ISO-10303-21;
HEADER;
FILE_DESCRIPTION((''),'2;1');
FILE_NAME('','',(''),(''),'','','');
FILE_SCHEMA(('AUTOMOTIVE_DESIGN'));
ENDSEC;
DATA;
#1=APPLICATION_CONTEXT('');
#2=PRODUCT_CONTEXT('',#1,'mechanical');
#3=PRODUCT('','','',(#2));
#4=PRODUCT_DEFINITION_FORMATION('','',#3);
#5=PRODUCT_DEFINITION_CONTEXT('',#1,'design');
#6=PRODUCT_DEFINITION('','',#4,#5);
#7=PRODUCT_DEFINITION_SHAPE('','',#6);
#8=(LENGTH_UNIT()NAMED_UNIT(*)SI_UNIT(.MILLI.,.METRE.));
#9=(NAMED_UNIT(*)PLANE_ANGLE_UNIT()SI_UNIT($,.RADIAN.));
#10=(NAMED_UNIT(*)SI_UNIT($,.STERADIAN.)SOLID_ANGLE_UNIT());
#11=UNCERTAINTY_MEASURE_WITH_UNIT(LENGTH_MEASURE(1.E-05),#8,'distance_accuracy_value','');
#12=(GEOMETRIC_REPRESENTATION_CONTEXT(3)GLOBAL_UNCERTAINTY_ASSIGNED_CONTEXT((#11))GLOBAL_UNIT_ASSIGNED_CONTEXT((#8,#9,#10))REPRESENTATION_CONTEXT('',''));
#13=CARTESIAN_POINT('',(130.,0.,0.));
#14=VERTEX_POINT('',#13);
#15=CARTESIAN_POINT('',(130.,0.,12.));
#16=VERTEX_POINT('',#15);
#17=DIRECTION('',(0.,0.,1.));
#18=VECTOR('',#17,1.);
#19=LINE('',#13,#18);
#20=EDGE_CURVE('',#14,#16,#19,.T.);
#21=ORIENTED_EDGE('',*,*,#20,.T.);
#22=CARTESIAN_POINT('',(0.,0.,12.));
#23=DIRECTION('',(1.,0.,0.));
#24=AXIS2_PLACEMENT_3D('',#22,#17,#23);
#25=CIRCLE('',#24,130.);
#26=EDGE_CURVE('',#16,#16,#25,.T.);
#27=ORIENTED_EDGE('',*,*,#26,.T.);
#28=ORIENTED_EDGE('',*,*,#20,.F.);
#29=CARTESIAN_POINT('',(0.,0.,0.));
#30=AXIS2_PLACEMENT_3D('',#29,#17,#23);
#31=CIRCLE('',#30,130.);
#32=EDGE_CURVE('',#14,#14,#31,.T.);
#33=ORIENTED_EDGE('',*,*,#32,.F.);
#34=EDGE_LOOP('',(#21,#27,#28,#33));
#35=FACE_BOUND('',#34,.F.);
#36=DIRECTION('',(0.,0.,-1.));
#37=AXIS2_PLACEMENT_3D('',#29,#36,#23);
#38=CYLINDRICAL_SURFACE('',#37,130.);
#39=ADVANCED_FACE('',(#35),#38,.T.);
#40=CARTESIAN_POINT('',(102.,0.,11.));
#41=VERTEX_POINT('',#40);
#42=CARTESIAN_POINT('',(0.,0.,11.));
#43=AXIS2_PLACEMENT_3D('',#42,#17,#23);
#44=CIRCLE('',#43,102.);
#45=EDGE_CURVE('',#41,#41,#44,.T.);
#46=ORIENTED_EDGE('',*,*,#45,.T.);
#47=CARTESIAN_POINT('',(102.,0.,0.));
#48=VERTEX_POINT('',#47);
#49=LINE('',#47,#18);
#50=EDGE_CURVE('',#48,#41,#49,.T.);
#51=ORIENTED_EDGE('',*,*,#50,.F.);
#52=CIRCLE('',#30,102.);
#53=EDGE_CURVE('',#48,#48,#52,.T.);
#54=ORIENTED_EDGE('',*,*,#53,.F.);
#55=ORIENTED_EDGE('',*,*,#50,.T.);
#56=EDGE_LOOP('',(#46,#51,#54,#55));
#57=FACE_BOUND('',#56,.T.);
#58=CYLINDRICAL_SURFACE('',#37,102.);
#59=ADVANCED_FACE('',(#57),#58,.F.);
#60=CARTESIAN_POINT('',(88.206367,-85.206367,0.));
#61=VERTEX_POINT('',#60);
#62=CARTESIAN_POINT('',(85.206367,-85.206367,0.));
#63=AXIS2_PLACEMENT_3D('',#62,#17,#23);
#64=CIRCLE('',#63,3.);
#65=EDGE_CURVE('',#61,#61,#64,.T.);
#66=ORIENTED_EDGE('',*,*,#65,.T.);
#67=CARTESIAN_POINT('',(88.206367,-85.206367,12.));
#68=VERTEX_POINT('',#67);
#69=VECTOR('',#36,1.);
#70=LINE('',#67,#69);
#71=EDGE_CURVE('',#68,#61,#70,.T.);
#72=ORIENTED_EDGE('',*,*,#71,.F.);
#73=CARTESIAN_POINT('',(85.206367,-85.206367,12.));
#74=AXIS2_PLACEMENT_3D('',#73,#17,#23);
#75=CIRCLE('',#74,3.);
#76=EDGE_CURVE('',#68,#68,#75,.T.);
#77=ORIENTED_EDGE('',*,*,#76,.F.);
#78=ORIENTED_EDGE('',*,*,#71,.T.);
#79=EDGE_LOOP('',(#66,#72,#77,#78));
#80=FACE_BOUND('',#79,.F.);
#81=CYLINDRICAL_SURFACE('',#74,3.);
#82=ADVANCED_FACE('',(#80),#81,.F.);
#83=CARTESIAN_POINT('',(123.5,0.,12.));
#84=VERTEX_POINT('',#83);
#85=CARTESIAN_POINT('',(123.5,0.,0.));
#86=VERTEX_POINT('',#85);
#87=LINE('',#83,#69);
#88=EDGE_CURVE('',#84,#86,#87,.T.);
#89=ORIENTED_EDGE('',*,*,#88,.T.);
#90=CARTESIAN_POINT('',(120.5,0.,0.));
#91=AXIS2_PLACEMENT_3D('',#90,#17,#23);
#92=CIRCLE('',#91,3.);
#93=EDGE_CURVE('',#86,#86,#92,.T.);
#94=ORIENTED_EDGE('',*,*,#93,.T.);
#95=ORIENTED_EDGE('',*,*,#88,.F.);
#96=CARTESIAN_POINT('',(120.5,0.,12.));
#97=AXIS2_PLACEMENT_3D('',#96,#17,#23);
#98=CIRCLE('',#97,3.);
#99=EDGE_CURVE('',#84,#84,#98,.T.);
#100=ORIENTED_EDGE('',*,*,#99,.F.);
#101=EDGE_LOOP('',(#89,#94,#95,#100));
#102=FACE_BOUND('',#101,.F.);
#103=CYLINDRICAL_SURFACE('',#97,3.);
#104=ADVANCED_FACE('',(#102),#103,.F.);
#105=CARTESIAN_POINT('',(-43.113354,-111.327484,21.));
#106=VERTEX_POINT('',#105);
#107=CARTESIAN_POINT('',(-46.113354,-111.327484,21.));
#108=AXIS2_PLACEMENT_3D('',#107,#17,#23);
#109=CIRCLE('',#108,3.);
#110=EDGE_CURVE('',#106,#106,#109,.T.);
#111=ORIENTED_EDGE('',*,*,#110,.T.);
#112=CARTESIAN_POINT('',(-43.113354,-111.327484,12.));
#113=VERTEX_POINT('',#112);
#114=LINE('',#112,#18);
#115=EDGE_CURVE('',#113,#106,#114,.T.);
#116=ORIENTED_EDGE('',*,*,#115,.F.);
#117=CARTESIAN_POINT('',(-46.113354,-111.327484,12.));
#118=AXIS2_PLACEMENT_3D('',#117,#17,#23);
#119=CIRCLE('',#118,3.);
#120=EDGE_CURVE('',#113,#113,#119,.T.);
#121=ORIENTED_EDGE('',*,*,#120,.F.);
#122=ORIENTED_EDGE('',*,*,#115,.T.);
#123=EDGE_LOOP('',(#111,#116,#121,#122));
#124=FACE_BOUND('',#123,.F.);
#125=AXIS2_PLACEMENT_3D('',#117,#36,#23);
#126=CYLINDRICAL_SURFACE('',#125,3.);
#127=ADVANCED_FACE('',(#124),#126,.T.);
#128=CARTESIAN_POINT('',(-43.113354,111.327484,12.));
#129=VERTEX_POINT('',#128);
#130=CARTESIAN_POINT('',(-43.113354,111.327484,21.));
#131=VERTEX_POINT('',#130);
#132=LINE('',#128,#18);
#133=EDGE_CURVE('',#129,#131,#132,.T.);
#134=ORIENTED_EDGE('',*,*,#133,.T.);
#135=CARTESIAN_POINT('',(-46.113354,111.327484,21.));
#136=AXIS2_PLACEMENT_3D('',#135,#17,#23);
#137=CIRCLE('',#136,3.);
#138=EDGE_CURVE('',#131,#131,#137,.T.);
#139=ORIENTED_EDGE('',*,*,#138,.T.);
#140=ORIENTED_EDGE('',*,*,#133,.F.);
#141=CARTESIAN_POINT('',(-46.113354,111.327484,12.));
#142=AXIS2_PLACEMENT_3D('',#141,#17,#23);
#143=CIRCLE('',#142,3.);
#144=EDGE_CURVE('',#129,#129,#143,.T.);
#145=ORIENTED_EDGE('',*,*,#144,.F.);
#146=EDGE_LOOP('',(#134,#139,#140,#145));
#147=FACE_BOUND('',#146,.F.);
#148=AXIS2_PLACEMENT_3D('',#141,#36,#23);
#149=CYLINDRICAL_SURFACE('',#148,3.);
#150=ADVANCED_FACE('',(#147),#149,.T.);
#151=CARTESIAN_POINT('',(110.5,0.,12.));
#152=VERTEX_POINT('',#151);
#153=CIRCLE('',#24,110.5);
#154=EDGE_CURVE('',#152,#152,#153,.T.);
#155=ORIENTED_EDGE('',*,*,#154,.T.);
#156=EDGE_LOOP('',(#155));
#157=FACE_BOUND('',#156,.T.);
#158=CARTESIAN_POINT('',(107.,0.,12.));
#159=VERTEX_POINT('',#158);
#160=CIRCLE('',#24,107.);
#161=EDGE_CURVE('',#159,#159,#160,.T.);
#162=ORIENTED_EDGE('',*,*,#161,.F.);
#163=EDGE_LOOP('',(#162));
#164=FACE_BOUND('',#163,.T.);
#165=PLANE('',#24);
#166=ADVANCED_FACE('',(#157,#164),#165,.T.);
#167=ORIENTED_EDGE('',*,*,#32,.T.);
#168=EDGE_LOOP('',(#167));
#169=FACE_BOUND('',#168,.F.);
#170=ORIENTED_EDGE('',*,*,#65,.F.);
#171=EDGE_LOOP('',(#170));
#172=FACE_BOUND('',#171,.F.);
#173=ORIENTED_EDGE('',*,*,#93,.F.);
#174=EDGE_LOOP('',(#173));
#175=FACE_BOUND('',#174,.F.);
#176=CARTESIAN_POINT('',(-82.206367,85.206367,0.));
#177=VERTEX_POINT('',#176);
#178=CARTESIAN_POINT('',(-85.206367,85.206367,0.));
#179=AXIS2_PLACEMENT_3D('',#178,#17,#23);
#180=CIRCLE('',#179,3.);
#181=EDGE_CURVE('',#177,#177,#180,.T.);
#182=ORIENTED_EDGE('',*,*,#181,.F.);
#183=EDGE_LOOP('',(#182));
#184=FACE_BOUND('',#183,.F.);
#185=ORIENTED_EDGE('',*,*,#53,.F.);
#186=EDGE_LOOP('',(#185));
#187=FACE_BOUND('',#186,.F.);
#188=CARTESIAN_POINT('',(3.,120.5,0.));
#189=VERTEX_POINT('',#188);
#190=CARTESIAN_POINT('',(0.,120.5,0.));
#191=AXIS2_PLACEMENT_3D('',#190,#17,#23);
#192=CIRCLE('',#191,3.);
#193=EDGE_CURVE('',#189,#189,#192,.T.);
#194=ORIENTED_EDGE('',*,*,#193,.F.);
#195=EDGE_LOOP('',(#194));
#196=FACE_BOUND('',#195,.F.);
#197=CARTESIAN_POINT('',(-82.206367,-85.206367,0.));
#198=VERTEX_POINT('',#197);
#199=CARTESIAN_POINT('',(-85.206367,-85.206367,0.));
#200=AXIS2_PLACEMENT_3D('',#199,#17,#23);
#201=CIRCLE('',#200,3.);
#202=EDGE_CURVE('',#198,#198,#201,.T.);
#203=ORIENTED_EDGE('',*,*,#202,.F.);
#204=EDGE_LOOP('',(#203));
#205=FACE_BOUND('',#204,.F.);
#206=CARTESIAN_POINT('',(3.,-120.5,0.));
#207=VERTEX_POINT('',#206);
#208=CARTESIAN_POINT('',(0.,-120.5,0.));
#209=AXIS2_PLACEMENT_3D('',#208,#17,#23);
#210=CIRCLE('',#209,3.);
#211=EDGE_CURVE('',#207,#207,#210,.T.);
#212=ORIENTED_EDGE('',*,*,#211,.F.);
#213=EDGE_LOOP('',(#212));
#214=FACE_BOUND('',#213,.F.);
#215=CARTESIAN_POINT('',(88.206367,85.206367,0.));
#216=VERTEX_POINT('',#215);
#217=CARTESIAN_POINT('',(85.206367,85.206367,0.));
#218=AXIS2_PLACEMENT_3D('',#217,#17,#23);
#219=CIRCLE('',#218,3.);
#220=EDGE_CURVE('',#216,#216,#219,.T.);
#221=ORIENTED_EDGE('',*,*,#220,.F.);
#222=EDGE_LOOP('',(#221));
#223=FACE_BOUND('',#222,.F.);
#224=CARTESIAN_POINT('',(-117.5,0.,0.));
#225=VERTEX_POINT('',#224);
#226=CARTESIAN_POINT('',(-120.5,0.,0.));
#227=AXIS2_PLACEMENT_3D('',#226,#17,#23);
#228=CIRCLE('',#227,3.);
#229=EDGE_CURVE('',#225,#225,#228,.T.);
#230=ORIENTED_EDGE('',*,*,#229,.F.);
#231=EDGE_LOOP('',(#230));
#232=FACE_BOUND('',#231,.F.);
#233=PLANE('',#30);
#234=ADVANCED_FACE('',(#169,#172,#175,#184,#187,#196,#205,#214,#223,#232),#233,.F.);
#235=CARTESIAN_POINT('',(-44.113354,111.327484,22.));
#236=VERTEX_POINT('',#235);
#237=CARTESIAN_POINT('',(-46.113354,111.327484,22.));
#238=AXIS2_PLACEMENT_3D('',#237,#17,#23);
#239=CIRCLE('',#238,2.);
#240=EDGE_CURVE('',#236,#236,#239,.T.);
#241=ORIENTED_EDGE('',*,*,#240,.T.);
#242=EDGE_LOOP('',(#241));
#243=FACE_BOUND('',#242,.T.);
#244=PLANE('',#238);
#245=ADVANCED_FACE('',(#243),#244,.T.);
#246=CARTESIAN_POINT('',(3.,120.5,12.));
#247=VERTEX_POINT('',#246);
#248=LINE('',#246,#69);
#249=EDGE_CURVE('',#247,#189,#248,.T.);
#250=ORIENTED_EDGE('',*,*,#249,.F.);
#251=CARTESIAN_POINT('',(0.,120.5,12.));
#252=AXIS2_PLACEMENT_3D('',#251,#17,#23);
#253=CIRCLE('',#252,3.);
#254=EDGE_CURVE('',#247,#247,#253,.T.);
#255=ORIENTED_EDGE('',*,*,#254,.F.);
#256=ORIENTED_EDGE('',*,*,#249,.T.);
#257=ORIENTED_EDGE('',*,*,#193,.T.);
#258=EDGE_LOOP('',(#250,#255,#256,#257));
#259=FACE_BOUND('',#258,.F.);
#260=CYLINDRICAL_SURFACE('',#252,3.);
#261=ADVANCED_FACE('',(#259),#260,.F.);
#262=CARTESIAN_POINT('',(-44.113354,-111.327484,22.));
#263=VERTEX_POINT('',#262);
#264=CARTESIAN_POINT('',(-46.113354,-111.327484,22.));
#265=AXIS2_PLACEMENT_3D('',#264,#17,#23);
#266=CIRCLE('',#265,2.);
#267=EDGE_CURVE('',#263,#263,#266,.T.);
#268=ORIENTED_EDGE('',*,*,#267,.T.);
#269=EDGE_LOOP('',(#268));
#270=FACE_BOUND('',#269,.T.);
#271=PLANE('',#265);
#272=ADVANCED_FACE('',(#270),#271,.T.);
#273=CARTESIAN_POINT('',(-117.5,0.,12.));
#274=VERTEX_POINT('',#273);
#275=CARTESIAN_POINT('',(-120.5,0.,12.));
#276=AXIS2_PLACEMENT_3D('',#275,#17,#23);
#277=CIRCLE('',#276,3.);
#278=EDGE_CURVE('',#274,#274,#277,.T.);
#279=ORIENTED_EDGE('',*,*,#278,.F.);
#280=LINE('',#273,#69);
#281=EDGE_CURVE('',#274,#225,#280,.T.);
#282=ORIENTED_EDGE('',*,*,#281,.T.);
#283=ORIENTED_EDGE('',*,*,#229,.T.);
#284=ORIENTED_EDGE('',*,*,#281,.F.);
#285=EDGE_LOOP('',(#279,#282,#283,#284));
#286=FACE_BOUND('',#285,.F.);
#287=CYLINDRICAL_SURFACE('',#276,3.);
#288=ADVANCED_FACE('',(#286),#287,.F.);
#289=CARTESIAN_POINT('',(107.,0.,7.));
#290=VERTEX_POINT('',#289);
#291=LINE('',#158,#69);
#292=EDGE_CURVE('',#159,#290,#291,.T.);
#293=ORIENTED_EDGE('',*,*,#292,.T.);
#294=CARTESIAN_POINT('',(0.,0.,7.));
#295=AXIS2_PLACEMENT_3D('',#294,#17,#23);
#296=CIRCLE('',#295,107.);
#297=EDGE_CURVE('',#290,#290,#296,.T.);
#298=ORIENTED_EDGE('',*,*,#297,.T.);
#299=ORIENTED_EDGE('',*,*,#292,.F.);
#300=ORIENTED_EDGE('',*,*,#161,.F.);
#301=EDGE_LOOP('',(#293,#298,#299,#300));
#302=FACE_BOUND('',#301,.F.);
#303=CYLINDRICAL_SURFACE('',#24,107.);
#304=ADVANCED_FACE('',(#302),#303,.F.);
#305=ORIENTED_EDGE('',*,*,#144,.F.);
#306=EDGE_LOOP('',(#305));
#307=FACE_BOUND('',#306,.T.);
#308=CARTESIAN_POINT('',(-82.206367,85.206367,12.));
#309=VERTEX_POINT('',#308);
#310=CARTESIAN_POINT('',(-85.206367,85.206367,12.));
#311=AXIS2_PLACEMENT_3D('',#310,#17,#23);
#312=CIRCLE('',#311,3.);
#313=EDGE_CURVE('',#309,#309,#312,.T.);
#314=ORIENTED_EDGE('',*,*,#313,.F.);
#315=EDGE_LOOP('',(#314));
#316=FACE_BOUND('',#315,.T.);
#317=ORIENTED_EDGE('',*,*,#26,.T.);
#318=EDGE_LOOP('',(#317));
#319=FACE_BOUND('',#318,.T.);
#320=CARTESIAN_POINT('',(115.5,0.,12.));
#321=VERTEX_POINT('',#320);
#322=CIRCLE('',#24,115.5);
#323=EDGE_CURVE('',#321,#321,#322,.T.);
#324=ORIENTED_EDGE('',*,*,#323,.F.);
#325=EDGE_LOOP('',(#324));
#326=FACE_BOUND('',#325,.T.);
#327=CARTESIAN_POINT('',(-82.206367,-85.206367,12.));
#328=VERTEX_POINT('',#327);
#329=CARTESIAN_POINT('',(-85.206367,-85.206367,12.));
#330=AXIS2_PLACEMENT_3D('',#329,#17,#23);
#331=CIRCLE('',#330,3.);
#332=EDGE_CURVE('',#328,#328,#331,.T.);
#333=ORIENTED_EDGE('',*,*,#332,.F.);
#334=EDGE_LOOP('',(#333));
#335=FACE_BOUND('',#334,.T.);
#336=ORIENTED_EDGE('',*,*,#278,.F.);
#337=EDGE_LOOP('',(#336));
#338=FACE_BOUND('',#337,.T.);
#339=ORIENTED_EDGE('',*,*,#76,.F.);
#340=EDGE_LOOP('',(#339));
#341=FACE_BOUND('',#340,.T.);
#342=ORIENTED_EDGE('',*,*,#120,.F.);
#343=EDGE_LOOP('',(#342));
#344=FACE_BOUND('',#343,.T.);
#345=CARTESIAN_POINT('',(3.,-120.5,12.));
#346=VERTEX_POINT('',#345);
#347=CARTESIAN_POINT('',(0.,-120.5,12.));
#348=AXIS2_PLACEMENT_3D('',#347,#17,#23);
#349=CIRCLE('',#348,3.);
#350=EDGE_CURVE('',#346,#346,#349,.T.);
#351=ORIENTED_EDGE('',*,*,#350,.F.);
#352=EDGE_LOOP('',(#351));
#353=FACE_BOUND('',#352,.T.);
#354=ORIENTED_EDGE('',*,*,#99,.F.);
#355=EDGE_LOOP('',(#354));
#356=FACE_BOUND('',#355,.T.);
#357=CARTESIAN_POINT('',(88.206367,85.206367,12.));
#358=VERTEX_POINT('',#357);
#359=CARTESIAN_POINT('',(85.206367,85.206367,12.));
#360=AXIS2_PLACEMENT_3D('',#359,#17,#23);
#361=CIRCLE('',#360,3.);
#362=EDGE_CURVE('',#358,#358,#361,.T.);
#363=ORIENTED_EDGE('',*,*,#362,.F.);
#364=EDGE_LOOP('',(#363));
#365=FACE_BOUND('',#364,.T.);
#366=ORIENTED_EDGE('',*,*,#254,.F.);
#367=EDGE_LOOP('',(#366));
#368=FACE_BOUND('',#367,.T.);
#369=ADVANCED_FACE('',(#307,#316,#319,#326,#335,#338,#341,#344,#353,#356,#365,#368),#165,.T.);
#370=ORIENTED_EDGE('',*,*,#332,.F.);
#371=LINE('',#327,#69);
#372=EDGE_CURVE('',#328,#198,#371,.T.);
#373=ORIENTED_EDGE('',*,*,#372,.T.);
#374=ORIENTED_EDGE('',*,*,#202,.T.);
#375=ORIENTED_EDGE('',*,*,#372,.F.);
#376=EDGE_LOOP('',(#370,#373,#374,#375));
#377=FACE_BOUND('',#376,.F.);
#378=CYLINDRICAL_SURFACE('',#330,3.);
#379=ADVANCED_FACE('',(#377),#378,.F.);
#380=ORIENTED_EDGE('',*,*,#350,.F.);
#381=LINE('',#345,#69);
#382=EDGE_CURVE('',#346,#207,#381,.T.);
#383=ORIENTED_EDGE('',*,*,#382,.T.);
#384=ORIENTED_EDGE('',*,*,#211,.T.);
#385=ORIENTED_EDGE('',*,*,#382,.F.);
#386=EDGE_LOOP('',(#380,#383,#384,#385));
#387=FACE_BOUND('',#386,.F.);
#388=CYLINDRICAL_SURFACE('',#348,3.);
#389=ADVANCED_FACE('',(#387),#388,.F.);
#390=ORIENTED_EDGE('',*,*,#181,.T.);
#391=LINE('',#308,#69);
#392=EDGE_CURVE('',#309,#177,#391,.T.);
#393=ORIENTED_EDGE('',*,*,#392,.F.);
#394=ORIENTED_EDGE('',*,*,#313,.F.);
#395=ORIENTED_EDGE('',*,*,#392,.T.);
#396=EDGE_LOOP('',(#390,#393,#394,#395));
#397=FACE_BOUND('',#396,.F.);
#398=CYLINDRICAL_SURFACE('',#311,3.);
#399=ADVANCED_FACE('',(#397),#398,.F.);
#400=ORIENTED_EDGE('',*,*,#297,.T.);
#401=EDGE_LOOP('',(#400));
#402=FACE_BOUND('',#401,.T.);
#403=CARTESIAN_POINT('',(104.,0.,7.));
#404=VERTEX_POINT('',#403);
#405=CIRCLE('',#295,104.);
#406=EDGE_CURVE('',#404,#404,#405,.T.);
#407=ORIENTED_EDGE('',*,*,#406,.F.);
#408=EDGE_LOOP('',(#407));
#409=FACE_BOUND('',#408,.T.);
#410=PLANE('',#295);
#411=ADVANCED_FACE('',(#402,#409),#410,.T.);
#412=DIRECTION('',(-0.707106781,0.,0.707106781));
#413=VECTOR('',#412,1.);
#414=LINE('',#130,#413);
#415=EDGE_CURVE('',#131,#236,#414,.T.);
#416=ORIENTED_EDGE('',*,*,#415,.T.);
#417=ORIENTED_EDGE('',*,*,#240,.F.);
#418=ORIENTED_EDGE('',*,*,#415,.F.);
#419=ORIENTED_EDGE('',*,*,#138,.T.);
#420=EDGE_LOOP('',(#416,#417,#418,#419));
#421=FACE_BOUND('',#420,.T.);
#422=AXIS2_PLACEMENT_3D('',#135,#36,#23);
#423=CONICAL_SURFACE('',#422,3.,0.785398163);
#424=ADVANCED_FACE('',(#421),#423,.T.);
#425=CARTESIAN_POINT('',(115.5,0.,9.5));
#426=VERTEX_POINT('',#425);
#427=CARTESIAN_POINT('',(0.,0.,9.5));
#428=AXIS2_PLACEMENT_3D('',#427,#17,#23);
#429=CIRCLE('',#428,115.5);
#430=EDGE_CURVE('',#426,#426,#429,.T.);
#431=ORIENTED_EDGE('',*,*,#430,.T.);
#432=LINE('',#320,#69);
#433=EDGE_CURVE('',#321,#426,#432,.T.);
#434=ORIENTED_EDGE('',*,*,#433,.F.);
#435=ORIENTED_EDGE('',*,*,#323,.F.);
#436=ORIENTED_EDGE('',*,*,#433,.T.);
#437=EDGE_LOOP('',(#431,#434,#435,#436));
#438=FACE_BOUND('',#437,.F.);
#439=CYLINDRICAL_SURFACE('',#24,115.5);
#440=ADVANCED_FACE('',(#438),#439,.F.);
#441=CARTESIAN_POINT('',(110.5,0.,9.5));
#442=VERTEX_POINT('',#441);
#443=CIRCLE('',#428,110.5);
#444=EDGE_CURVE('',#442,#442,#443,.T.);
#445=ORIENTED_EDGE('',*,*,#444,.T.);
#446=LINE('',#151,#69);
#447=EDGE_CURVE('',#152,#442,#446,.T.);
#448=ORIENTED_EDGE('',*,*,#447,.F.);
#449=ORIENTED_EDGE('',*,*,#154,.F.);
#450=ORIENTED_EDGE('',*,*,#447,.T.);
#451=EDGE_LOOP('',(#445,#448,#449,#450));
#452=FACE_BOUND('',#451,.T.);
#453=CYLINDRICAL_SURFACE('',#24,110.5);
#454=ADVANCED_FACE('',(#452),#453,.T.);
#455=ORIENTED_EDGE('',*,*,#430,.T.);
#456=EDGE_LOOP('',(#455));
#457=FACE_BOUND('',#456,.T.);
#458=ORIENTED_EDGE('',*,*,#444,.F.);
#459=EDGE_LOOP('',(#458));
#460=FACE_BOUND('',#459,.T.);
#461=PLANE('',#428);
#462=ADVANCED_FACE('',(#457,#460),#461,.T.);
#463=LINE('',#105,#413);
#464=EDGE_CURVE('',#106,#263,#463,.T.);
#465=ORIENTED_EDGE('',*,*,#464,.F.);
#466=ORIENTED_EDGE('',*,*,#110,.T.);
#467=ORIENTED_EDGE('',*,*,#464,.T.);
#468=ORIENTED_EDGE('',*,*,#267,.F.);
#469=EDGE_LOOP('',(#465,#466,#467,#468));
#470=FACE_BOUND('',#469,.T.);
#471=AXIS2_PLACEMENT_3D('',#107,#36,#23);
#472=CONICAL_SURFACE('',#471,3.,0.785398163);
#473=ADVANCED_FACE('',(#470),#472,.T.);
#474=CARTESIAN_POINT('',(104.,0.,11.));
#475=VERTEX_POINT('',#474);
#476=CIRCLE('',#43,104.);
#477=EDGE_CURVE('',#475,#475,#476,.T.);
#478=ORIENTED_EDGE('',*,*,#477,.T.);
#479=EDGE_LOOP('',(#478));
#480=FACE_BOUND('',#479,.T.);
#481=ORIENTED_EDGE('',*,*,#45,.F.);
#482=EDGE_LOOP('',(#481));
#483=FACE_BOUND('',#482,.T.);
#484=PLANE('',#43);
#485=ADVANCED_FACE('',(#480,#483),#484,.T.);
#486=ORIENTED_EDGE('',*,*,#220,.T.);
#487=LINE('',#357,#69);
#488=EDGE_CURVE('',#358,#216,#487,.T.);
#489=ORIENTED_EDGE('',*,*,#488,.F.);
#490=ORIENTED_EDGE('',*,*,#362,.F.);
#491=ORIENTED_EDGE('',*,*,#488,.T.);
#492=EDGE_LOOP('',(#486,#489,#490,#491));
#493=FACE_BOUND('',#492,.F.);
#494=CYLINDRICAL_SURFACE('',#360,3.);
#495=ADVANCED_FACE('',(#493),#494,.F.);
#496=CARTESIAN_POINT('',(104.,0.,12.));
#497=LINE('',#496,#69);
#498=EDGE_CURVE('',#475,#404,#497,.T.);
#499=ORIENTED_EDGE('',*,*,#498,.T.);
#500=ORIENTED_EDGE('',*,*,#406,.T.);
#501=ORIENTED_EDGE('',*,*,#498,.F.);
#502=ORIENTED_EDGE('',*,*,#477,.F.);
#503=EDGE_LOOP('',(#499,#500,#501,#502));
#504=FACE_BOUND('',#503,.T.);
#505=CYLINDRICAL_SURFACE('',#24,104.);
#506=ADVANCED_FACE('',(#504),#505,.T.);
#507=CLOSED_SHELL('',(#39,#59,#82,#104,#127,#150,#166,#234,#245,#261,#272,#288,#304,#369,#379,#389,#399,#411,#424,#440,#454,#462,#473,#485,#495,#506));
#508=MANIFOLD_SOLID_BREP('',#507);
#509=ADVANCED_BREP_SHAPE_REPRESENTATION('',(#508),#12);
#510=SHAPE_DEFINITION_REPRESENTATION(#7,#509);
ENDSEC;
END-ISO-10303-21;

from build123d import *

# Parameters (mm, degrees)
F0_R      = 130
F0_R_2    = 102
F1_DEPTH  = 12
F2_R      = 115.5
F2_R_2    = 110.5
F3_DEPTH  = 2.5
F4_R      = 107
F4_R_2    = 104
F5_DEPTH  = 5
F6_R      = 104
F6_R_2    = 102
F7_DEPTH  = 1
F8_R      = 3
F9_DEPTH  = 12
F10_DEPTH = 10
F11_SIZE  = 1
F12_SIZE  = 1


with BuildPart() as f1:
    # F0 (on Top) → F1 (new body)
    with BuildSketch(Plane.XY):
        Circle(F0_R)
        Circle(F0_R_2, mode=Mode.SUBTRACT)
    extrude(amount=F1_DEPTH)

    # F2 (on face) → F3 (cut)
    with BuildSketch(Plane.XY.offset(12)):
        Circle(F2_R)
        Circle(F2_R_2, mode=Mode.SUBTRACT)
    extrude(amount=-F3_DEPTH, mode=Mode.SUBTRACT)

    # F4 (on face) → F5 (cut)
    with BuildSketch(Plane.XY.offset(12)):
        Circle(F4_R)
        Circle(F4_R_2, mode=Mode.SUBTRACT)
    extrude(amount=-F5_DEPTH, mode=Mode.SUBTRACT)

    # F6 (on face) → F7 (cut)
    with BuildSketch(Plane.XY.offset(12)):
        Circle(F6_R)
        Circle(F6_R_2, mode=Mode.SUBTRACT)
    extrude(amount=-F7_DEPTH, mode=Mode.SUBTRACT)

    # F8 (on face) → F9 (cut)
    with BuildSketch(Plane.XY.offset(12)):
        with Locations((-120.5, 0)):
            Circle(F8_R)
        with Locations((-85.206367, 85.206367)):
            Circle(F8_R)
        with Locations((0, 120.5)):
            Circle(F8_R)
        with Locations((120.5, 0)):
            Circle(F8_R)
        with Locations((85.206367, 85.206367)):
            Circle(F8_R)
        with Locations((85.206367, -85.206367)):
            Circle(F8_R)
        with Locations((0, -120.5)):
            Circle(F8_R)
        with Locations((-85.206367, -85.206367)):
            Circle(F8_R)
    extrude(amount=-F9_DEPTH, mode=Mode.SUBTRACT)

    # F8 (on face) → F10 (join)
    with BuildSketch(Plane.XY.offset(12)):
        with Locations((-46.113354, 111.327484)):
            Circle(F8_R)
        with Locations((-46.113354, -111.327484)):
            Circle(F8_R)
    extrude(amount=F10_DEPTH)

    # F11
    f11_edges = [f1.edges().sort_by_distance(p)[0] for p in [
        (-49.113354, -111.327484, 22),
    ]]
    chamfer(f11_edges, length=F11_SIZE)

    # F12
    f12_edges = [f1.edges().sort_by_distance(p)[0] for p in [
        (-49.113354, 111.327484, 22),
    ]]
    chamfer(f12_edges, length=F12_SIZE)


solid = f1.part
